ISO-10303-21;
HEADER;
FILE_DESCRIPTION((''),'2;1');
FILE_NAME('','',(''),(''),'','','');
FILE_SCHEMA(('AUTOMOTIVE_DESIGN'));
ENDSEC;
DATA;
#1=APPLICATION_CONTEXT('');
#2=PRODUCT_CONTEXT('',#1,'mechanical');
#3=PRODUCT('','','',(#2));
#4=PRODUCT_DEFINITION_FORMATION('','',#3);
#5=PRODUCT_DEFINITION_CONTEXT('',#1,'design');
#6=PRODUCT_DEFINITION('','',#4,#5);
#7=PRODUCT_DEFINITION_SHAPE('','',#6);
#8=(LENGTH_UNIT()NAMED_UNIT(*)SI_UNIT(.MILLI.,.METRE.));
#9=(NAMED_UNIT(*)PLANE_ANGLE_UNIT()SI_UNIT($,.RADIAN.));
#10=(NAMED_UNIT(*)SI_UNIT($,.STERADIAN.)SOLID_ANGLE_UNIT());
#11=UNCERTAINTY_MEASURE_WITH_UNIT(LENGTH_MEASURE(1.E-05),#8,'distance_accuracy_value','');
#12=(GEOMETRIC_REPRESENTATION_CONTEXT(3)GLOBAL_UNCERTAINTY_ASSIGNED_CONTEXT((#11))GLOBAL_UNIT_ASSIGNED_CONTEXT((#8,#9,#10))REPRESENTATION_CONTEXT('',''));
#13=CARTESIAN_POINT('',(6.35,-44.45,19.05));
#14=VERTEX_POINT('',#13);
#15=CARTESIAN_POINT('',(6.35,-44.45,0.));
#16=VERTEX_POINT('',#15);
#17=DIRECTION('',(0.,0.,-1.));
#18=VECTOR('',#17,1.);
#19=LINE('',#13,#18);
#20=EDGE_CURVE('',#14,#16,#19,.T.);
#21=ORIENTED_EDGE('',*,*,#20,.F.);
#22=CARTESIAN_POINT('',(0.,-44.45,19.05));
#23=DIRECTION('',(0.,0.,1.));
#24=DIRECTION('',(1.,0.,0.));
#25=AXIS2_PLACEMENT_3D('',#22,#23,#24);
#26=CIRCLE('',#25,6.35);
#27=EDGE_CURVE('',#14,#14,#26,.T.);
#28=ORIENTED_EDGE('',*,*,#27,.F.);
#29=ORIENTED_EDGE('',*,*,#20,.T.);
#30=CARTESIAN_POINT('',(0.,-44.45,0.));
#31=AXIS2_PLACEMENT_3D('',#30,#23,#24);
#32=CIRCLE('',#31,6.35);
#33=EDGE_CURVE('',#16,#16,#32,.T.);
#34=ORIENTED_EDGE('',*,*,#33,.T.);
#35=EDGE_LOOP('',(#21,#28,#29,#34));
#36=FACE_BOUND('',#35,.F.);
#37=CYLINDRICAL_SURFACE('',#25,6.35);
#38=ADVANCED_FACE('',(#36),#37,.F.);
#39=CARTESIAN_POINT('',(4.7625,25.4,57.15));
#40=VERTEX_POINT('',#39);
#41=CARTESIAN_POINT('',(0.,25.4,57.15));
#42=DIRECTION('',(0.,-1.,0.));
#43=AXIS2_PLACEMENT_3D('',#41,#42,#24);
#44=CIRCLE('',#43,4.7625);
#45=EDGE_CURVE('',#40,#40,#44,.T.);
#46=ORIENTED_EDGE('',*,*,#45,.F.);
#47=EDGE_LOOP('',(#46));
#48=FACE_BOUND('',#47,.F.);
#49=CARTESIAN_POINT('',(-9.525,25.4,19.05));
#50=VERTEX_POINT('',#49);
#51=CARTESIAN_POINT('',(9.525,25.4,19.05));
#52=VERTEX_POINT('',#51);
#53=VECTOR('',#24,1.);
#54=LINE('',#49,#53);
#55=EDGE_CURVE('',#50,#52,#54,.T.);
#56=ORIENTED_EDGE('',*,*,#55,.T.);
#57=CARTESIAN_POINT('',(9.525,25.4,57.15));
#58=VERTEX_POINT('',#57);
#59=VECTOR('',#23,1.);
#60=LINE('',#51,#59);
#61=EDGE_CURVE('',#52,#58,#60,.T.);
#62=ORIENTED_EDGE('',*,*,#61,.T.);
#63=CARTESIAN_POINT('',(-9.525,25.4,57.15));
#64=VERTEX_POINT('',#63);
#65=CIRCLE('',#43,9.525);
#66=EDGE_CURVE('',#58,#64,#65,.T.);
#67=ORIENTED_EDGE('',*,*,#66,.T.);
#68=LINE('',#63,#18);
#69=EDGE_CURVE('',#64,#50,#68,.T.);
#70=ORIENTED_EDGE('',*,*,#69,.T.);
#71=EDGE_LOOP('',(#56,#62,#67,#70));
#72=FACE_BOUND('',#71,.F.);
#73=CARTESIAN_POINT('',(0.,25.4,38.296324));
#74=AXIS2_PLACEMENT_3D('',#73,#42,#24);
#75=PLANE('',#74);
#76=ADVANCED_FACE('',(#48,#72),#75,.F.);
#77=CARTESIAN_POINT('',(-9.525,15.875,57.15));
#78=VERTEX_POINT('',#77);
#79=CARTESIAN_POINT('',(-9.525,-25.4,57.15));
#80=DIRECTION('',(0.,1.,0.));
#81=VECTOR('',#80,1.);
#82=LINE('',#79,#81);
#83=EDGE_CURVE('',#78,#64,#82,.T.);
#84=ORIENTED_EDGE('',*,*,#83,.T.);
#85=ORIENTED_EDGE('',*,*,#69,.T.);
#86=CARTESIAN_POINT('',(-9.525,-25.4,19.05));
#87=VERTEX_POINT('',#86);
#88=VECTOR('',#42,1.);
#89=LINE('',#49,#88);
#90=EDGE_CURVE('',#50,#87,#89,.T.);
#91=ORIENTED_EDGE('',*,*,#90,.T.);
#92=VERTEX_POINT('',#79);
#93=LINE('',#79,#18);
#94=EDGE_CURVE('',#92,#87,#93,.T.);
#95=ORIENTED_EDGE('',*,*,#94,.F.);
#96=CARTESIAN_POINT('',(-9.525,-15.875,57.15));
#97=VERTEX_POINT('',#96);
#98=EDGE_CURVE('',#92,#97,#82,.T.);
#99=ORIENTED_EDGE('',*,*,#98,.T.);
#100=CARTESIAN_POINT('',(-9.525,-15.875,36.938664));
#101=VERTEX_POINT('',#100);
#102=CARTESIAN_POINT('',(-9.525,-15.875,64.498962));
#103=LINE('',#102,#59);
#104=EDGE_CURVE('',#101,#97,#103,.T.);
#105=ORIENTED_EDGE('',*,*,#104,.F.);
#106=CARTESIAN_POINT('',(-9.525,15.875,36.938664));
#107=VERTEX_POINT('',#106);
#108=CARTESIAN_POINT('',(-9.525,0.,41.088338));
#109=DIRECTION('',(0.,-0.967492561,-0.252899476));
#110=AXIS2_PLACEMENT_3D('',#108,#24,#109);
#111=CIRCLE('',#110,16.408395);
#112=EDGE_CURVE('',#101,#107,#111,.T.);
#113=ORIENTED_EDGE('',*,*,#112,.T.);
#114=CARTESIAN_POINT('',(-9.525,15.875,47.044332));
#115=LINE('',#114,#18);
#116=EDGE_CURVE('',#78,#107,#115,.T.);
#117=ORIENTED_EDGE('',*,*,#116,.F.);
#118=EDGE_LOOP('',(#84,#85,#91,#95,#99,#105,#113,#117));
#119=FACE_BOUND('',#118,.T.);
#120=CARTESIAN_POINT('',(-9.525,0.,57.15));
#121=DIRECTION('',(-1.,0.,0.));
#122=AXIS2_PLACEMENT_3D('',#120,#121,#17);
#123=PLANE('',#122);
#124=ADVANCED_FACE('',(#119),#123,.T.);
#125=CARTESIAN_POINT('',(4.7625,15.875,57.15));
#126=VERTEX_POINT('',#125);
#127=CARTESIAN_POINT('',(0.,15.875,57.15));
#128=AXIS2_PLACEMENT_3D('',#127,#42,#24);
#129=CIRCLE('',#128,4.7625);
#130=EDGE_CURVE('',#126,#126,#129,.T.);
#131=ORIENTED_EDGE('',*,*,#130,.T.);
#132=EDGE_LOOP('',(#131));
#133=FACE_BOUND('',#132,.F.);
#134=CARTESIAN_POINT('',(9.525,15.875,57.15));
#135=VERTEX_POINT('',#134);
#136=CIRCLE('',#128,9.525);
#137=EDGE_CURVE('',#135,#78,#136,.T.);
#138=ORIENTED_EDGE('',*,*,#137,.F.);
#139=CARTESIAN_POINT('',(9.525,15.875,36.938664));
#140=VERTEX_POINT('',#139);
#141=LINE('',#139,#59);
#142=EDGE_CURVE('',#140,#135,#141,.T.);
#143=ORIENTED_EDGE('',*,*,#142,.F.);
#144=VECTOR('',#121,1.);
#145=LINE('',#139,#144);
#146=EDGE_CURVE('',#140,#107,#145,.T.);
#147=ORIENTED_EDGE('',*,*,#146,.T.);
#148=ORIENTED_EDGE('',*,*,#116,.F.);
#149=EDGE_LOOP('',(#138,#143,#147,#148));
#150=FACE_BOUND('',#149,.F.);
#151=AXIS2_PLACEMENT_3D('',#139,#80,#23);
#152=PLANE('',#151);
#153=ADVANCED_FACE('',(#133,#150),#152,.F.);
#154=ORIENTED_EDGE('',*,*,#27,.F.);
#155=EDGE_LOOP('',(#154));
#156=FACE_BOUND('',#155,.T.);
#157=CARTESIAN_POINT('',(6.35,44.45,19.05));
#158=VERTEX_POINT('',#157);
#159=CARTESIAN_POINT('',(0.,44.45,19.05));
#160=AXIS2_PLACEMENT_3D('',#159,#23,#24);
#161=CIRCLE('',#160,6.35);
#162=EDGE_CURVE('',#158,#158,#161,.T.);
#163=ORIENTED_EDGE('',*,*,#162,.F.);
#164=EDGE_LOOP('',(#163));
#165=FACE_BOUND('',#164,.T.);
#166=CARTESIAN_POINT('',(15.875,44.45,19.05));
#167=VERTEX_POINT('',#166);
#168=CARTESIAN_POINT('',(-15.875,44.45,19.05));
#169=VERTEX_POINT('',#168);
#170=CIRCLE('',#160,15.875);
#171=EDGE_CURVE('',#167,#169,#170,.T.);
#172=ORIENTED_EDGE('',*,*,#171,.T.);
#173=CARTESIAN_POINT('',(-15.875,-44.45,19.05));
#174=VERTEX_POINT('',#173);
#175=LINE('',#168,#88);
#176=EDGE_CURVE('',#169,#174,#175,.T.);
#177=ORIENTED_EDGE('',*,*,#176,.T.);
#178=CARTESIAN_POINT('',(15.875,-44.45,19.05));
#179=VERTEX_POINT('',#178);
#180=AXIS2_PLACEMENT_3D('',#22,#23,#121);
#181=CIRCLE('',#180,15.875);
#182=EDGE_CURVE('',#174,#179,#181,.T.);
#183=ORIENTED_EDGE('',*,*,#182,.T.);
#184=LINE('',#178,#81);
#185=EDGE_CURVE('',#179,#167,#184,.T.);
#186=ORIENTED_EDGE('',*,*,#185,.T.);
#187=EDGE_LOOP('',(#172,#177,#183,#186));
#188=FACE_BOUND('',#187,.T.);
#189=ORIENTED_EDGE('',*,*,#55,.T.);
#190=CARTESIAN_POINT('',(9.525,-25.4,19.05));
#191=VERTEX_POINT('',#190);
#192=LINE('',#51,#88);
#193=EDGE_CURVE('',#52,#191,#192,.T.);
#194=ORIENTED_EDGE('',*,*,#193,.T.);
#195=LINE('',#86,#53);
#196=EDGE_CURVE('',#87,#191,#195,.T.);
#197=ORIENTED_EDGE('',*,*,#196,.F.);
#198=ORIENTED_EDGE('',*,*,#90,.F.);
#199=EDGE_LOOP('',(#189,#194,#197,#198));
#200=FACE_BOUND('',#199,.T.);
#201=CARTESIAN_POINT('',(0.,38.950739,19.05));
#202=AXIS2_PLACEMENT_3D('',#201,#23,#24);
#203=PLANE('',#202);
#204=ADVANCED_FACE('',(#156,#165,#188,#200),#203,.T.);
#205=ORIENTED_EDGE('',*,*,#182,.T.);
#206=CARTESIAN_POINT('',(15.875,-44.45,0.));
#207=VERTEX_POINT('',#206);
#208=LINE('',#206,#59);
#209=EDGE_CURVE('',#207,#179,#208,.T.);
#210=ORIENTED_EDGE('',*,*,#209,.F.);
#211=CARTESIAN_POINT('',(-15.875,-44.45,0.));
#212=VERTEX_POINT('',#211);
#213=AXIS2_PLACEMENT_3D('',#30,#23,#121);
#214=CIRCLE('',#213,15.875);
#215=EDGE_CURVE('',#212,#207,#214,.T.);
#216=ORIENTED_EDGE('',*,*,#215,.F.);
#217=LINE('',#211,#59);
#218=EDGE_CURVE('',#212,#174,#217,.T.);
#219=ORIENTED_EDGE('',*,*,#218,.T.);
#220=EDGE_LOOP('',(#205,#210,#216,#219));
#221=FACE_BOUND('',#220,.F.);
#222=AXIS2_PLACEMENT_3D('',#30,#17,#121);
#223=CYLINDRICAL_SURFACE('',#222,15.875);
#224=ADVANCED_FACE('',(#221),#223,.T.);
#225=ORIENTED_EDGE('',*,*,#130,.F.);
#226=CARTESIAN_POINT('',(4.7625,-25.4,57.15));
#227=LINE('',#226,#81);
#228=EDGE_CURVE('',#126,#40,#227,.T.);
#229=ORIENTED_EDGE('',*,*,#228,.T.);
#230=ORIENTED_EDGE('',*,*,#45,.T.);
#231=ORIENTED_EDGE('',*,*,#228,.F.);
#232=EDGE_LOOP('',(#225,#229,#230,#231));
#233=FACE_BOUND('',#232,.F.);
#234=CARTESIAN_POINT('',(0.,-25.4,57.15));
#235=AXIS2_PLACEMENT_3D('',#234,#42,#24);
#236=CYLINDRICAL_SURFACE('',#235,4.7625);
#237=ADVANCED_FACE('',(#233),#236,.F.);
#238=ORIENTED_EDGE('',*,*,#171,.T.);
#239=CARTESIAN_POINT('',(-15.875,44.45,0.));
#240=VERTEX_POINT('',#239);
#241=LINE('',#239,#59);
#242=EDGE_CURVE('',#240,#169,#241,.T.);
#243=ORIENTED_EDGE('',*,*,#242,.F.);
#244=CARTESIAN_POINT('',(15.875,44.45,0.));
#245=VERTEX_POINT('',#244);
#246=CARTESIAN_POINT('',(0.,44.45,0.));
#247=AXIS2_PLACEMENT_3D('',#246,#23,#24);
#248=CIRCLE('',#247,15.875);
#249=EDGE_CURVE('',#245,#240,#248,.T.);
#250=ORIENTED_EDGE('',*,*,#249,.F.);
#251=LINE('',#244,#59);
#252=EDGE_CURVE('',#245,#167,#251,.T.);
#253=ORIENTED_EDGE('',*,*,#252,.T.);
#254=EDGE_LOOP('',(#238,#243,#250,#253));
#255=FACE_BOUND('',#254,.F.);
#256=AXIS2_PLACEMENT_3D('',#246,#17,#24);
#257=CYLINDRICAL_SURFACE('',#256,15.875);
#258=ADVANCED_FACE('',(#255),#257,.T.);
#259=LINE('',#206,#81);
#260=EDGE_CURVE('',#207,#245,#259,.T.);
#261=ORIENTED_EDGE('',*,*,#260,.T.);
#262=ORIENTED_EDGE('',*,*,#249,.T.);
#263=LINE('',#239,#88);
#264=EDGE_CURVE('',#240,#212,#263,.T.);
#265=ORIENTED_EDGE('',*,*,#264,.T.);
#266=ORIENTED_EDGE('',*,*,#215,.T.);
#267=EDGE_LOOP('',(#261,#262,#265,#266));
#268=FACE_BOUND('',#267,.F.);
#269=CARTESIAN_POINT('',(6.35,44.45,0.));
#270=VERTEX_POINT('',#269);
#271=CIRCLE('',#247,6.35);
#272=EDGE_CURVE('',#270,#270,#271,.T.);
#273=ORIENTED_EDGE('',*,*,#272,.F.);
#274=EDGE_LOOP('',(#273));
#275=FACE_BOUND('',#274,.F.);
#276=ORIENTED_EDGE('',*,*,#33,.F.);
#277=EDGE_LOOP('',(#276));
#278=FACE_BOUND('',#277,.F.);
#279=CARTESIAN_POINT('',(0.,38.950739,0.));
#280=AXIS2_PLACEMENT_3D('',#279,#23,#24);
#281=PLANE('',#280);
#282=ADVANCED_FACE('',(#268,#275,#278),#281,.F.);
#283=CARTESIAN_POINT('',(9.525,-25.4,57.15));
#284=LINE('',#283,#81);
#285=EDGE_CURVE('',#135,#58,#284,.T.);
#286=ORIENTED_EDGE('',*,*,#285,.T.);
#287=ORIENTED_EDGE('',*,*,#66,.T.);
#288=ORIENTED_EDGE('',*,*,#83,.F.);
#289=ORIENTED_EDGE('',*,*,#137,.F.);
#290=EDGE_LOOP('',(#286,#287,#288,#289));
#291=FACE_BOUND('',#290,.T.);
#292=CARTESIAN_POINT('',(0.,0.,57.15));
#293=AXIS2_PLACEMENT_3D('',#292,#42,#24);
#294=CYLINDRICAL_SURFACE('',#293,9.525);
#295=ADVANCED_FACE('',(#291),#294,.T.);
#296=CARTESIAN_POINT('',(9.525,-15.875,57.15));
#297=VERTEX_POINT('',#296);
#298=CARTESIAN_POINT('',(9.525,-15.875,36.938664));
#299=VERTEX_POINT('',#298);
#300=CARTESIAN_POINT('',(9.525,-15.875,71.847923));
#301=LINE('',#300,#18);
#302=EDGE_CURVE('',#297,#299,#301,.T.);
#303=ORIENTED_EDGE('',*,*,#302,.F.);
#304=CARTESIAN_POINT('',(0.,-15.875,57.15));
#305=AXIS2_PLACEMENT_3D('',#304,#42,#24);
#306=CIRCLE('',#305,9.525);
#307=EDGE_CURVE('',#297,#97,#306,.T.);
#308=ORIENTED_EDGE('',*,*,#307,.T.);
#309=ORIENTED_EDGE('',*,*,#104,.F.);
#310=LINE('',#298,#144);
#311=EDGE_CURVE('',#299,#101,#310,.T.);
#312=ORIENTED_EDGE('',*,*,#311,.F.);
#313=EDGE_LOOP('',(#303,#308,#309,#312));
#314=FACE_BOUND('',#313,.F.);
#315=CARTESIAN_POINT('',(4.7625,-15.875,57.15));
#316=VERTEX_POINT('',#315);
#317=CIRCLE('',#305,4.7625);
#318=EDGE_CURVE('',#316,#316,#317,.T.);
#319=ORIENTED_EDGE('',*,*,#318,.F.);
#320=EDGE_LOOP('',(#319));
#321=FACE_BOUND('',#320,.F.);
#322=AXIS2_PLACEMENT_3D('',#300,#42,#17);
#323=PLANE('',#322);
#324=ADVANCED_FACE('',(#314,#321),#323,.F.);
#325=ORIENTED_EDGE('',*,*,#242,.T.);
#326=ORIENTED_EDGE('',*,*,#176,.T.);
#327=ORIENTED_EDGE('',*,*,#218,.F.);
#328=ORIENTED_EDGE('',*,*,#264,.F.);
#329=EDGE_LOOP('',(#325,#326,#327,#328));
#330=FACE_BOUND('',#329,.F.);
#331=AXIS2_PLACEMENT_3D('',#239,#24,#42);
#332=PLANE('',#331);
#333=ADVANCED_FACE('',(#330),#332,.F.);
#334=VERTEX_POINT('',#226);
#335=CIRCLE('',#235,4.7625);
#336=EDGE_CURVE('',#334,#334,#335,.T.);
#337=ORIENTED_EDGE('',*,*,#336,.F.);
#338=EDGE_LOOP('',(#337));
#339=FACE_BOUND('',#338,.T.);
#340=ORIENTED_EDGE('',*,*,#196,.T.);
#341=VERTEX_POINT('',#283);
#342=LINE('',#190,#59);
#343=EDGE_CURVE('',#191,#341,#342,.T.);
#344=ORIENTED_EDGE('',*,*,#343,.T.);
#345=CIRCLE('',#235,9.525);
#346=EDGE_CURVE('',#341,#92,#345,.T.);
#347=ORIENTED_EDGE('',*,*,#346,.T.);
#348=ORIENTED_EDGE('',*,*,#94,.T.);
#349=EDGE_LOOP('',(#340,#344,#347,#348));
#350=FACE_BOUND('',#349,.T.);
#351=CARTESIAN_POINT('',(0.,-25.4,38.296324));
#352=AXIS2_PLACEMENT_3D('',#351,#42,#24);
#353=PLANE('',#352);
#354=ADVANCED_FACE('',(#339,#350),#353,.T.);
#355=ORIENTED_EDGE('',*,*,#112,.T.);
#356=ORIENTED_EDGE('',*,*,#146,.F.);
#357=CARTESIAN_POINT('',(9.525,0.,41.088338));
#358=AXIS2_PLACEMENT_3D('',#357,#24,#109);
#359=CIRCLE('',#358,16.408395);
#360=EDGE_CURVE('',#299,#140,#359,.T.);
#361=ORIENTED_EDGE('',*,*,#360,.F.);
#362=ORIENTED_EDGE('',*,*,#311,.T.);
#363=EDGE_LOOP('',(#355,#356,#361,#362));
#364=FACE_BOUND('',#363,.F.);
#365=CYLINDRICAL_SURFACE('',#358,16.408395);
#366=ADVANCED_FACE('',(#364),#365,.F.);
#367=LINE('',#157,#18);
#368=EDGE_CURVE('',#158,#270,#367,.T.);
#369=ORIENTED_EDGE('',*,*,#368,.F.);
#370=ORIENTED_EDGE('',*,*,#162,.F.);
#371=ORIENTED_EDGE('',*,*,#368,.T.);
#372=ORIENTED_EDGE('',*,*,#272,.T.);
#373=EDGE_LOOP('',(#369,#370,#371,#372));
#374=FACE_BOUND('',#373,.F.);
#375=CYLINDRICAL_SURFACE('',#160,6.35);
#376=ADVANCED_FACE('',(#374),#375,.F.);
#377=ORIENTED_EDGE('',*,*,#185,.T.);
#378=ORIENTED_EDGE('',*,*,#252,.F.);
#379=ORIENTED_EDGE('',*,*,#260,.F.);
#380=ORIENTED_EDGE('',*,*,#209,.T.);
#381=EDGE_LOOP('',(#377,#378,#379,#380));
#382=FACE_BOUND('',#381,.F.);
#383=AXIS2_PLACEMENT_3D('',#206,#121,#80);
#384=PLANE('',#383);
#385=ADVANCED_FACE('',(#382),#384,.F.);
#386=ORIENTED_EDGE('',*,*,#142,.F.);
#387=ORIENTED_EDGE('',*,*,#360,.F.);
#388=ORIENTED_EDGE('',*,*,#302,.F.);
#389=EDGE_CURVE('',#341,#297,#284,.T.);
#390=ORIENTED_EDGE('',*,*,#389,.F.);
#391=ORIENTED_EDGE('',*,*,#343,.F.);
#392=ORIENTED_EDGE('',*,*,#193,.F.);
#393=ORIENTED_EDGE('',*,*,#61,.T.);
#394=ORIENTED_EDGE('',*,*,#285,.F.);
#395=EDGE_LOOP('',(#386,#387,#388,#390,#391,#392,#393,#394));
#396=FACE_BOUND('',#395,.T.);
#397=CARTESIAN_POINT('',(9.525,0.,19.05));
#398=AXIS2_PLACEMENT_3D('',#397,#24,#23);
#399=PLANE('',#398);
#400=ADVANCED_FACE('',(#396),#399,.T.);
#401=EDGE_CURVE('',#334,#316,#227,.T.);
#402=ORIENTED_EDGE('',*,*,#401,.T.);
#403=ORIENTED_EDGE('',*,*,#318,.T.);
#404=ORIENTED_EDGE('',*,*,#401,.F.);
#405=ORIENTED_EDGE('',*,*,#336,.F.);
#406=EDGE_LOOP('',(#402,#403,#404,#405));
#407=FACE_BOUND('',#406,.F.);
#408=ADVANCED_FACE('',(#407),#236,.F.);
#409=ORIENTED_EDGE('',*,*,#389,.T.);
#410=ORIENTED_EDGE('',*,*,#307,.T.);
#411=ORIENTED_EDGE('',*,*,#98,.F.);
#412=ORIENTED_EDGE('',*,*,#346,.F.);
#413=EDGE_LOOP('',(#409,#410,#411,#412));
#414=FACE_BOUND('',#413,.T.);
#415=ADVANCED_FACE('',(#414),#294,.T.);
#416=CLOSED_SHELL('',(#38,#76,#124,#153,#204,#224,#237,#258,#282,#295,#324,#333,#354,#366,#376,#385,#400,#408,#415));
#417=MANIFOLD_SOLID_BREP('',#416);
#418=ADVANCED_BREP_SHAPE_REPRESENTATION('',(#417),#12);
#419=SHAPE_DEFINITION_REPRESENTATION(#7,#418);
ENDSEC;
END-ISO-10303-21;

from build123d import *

# Parameters (mm, degrees)
F1_DEPTH = 19.05
F2_R     = 6.35
F3_DEPTH = 25.4
F5_DEPTH = 25.4
F6_R     = 4.7625
F7_DEPTH = 50.8
F9_DEPTH = 25.4


with BuildPart() as f1:
    # F0 (on Top) → F1 (new body)
    with BuildSketch(Plane.XY):
        with BuildLine():
            ThreePointArc((-15.875, 44.45), (0, 28.575), (15.875, 44.45))
            Line((15.875, 44.45), (-15.875, 44.45))
        make_face()
        with BuildLine():
            Line((-15.875, 44.45), (15.875, 44.45))
            ThreePointArc((15.875, 44.45), (0, 60.325), (-15.875, 44.45))
        make_face()
        with BuildLine():
            Line((15.875, -44.45), (15.875, 44.45))
            ThreePointArc((15.875, 44.45), (0, 28.575), (-15.875, 44.45))
            Line((-15.875, 44.45), (-15.875, -44.45))
            ThreePointArc((-15.875, -44.45), (0, -28.575), (15.875, -44.45))
        make_face()
        with BuildLine():
            ThreePointArc((-15.875, -44.45), (0, -60.325), (15.875, -44.45))
            Line((15.875, -44.45), (-15.875, -44.45))
        make_face()
        with BuildLine():
            Line((-15.875, -44.45), (15.875, -44.45))
            ThreePointArc((15.875, -44.45), (0, -28.575), (-15.875, -44.45))
        make_face()
    extrude(amount=F1_DEPTH)

    # F2 (on face) → F3 (cut)
    with BuildSketch(Plane.XY.offset(19.05)):
        with Locations((0, -44.45)):
            Circle(F2_R)
        with Locations((0, 44.45)):
            Circle(F2_R)
    extrude(amount=-F3_DEPTH, mode=Mode.SUBTRACT)

    # F4 (on Front) → F5 (join, symmetric)
    with BuildSketch(Plane.XZ):
        with BuildLine():
            Line((-9.525, 57.15), (-9.525, 19.05))
            Line((-9.525, 19.05), (9.525, 19.05))
            Line((9.525, 19.05), (9.525, 57.15))
            ThreePointArc((9.525, 57.15), (0, 47.625), (-9.525, 57.15))
        make_face()
        with BuildLine():
            ThreePointArc((9.525, 57.15), (0, 66.675), (-9.525, 57.15))
            Line((-9.525, 57.15), (9.525, 57.15))
        make_face()
        with BuildLine():
            Line((9.525, 57.15), (-9.525, 57.15))
            ThreePointArc((-9.525, 57.15), (0, 47.625), (9.525, 57.15))
        make_face()
    extrude(amount=F5_DEPTH, both=True)

    # F6 (on face) → F7 (cut, through all)
    with BuildSketch(Plane.XZ.offset(25.4)):
        with Locations((0, 57.15)):
            Circle(F6_R)
    extrude(amount=-F7_DEPTH, mode=Mode.SUBTRACT)

    # F8 (on face) → F9 (cut)
    with BuildSketch(Plane.YZ.offset(9.525)):
        with BuildLine():
            Line((15.875, 71.8479231), (0, 71.8479231))
            Line((0, 71.8479231), (-15.875, 71.8479231))
            Line((-15.875, 71.8479231), (-15.875, 45.2380125161))
            ThreePointArc((-15.875, 45.2380125161), (0, 57.496732945), (15.875, 45.2380125161))
            Line((15.875, 45.2380125161), (15.875, 71.8479231))
        make_face()
        with BuildLine():
            ThreePointArc((15.875, 45.2380125161), (0, 57.496732945), (-15.875, 45.2380125161))
            Line((-15.875, 45.2380125161), (-15.875, 36.9386635721))
            Line((-15.875, 36.9386635721), (15.875, 36.9386635721))
            Line((15.875, 36.9386635721), (15.875, 45.2380125161))
        make_face()
        with BuildLine():
            Line((15.875, 36.9386635721), (-15.875, 36.9386635721))
            ThreePointArc((-15.875, 36.9386635721), (0, 24.6799431432), (15.875, 36.9386635721))
        make_face()
    extrude(amount=-F9_DEPTH, mode=Mode.SUBTRACT)


solid = f1.part
